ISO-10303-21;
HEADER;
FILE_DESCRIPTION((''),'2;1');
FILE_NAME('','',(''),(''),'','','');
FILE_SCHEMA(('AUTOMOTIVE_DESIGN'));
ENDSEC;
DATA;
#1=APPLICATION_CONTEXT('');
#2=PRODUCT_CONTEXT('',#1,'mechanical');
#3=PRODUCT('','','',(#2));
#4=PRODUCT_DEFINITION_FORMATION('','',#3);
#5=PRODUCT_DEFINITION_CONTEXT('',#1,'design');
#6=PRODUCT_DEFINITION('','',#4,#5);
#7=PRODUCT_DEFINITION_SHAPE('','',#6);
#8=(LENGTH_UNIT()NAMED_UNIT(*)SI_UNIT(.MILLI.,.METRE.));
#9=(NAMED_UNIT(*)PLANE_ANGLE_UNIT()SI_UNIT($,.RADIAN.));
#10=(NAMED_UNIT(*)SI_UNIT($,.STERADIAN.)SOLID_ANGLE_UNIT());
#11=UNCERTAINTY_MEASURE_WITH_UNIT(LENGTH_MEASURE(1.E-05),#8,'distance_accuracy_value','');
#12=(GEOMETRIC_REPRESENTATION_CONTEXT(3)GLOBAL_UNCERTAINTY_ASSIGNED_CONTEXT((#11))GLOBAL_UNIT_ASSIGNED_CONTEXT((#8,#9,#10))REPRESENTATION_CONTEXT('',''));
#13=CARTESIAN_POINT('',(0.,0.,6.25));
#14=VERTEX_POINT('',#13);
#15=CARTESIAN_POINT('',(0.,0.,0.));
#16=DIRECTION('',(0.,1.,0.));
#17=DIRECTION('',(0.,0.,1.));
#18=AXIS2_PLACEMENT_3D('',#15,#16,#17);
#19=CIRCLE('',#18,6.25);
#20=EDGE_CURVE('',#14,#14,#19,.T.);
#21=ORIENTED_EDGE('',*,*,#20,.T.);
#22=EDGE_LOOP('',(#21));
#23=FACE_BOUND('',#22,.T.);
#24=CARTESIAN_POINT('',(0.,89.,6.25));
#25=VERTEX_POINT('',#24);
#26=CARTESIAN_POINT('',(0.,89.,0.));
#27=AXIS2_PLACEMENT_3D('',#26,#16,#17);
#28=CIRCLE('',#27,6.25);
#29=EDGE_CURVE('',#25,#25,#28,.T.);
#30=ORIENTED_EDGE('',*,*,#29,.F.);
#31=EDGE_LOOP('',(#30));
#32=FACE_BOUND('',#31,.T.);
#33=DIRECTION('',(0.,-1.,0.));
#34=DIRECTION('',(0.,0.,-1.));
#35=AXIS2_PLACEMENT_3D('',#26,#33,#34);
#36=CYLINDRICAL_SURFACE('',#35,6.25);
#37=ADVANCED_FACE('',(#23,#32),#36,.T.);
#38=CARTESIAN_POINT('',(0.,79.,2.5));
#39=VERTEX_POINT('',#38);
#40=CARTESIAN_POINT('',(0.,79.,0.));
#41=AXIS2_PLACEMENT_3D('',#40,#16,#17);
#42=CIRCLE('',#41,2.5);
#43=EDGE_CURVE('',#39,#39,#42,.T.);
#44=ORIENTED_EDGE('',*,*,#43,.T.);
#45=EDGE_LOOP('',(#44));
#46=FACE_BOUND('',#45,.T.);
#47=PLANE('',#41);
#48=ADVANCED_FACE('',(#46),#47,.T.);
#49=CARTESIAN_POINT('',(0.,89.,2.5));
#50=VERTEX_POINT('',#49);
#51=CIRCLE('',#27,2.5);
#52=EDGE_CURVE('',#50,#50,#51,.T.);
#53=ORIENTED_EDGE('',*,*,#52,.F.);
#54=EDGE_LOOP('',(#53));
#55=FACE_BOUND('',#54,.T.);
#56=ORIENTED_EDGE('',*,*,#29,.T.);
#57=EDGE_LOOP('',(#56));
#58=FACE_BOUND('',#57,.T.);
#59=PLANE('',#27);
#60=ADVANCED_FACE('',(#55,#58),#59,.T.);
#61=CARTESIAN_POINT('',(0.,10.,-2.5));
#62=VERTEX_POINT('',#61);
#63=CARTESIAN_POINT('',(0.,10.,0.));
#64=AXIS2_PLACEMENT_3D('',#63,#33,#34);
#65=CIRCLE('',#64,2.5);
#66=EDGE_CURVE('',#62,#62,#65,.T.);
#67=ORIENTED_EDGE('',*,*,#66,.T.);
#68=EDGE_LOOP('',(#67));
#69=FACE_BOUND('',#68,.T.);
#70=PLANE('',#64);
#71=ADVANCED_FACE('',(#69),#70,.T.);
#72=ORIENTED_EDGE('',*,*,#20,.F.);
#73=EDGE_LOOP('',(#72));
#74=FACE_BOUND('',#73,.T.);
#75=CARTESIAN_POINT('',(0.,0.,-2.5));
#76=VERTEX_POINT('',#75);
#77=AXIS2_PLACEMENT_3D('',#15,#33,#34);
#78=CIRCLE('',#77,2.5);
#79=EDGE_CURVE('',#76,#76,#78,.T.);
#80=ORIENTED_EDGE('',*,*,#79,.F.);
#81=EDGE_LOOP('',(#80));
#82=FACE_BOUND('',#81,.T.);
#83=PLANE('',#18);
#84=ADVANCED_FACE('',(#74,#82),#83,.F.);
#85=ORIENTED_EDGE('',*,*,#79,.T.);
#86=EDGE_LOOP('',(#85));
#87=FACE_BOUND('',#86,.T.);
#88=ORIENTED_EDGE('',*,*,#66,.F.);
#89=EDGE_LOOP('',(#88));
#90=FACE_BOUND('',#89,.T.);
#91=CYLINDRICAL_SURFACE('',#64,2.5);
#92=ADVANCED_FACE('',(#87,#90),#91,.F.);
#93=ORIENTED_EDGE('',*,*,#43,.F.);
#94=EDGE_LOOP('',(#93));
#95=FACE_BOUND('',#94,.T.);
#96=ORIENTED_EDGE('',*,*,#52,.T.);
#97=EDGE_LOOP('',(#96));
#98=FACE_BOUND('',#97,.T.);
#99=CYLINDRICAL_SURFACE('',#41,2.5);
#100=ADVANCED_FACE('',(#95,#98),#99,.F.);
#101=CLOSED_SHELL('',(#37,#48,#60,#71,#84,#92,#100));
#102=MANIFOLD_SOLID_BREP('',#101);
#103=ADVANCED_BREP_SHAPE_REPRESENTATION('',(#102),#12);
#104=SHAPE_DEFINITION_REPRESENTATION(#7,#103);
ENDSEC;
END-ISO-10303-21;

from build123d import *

# Parameters (mm, degrees)
SKETCH_1_R          = 6.25
EXTRUDE_1_DEPTH     = 89
SKETCH_2_R          = 2.5
CUT_EXTRUDE_1_DEPTH = 10
CUT_EXTRUDE_START   = -10
SKETCH_17_R         = 2.5
CUT_EXTRUDE_2_DEPTH = 10


with BuildPart() as part:
    # 草图1 → 凸台-拉伸1 (new body)
    with BuildSketch(Plane(origin=(0, 0, 0), x_dir=(1, 0, 0), z_dir=(0, 1, 0))):
        with Locations(Location((0, 0, 0), (0, 0, 270))):
            Circle(SKETCH_1_R)
    extrude(amount=EXTRUDE_1_DEPTH)

    # 草图2 → 切除-拉伸1 (cut)
    with BuildSketch(Plane(origin=(0, 89, 0), x_dir=(1, 0, 0), z_dir=(0, 1, 0))):
        with Locations(Location((0, 0, 0), (0, 0, 270))):
            Circle(SKETCH_2_R)
    extrude(amount=-CUT_EXTRUDE_1_DEPTH, mode=Mode.SUBTRACT)

    # 草图17 → 切除-拉伸2 (cut)
    with BuildSketch(Plane.XZ.offset(CUT_EXTRUDE_START)):
        with Locations(Location((0, 0, 0), (0, 0, 90))):
            Circle(SKETCH_17_R)
    extrude(amount=CUT_EXTRUDE_2_DEPTH, mode=Mode.SUBTRACT)


solid = part.part
